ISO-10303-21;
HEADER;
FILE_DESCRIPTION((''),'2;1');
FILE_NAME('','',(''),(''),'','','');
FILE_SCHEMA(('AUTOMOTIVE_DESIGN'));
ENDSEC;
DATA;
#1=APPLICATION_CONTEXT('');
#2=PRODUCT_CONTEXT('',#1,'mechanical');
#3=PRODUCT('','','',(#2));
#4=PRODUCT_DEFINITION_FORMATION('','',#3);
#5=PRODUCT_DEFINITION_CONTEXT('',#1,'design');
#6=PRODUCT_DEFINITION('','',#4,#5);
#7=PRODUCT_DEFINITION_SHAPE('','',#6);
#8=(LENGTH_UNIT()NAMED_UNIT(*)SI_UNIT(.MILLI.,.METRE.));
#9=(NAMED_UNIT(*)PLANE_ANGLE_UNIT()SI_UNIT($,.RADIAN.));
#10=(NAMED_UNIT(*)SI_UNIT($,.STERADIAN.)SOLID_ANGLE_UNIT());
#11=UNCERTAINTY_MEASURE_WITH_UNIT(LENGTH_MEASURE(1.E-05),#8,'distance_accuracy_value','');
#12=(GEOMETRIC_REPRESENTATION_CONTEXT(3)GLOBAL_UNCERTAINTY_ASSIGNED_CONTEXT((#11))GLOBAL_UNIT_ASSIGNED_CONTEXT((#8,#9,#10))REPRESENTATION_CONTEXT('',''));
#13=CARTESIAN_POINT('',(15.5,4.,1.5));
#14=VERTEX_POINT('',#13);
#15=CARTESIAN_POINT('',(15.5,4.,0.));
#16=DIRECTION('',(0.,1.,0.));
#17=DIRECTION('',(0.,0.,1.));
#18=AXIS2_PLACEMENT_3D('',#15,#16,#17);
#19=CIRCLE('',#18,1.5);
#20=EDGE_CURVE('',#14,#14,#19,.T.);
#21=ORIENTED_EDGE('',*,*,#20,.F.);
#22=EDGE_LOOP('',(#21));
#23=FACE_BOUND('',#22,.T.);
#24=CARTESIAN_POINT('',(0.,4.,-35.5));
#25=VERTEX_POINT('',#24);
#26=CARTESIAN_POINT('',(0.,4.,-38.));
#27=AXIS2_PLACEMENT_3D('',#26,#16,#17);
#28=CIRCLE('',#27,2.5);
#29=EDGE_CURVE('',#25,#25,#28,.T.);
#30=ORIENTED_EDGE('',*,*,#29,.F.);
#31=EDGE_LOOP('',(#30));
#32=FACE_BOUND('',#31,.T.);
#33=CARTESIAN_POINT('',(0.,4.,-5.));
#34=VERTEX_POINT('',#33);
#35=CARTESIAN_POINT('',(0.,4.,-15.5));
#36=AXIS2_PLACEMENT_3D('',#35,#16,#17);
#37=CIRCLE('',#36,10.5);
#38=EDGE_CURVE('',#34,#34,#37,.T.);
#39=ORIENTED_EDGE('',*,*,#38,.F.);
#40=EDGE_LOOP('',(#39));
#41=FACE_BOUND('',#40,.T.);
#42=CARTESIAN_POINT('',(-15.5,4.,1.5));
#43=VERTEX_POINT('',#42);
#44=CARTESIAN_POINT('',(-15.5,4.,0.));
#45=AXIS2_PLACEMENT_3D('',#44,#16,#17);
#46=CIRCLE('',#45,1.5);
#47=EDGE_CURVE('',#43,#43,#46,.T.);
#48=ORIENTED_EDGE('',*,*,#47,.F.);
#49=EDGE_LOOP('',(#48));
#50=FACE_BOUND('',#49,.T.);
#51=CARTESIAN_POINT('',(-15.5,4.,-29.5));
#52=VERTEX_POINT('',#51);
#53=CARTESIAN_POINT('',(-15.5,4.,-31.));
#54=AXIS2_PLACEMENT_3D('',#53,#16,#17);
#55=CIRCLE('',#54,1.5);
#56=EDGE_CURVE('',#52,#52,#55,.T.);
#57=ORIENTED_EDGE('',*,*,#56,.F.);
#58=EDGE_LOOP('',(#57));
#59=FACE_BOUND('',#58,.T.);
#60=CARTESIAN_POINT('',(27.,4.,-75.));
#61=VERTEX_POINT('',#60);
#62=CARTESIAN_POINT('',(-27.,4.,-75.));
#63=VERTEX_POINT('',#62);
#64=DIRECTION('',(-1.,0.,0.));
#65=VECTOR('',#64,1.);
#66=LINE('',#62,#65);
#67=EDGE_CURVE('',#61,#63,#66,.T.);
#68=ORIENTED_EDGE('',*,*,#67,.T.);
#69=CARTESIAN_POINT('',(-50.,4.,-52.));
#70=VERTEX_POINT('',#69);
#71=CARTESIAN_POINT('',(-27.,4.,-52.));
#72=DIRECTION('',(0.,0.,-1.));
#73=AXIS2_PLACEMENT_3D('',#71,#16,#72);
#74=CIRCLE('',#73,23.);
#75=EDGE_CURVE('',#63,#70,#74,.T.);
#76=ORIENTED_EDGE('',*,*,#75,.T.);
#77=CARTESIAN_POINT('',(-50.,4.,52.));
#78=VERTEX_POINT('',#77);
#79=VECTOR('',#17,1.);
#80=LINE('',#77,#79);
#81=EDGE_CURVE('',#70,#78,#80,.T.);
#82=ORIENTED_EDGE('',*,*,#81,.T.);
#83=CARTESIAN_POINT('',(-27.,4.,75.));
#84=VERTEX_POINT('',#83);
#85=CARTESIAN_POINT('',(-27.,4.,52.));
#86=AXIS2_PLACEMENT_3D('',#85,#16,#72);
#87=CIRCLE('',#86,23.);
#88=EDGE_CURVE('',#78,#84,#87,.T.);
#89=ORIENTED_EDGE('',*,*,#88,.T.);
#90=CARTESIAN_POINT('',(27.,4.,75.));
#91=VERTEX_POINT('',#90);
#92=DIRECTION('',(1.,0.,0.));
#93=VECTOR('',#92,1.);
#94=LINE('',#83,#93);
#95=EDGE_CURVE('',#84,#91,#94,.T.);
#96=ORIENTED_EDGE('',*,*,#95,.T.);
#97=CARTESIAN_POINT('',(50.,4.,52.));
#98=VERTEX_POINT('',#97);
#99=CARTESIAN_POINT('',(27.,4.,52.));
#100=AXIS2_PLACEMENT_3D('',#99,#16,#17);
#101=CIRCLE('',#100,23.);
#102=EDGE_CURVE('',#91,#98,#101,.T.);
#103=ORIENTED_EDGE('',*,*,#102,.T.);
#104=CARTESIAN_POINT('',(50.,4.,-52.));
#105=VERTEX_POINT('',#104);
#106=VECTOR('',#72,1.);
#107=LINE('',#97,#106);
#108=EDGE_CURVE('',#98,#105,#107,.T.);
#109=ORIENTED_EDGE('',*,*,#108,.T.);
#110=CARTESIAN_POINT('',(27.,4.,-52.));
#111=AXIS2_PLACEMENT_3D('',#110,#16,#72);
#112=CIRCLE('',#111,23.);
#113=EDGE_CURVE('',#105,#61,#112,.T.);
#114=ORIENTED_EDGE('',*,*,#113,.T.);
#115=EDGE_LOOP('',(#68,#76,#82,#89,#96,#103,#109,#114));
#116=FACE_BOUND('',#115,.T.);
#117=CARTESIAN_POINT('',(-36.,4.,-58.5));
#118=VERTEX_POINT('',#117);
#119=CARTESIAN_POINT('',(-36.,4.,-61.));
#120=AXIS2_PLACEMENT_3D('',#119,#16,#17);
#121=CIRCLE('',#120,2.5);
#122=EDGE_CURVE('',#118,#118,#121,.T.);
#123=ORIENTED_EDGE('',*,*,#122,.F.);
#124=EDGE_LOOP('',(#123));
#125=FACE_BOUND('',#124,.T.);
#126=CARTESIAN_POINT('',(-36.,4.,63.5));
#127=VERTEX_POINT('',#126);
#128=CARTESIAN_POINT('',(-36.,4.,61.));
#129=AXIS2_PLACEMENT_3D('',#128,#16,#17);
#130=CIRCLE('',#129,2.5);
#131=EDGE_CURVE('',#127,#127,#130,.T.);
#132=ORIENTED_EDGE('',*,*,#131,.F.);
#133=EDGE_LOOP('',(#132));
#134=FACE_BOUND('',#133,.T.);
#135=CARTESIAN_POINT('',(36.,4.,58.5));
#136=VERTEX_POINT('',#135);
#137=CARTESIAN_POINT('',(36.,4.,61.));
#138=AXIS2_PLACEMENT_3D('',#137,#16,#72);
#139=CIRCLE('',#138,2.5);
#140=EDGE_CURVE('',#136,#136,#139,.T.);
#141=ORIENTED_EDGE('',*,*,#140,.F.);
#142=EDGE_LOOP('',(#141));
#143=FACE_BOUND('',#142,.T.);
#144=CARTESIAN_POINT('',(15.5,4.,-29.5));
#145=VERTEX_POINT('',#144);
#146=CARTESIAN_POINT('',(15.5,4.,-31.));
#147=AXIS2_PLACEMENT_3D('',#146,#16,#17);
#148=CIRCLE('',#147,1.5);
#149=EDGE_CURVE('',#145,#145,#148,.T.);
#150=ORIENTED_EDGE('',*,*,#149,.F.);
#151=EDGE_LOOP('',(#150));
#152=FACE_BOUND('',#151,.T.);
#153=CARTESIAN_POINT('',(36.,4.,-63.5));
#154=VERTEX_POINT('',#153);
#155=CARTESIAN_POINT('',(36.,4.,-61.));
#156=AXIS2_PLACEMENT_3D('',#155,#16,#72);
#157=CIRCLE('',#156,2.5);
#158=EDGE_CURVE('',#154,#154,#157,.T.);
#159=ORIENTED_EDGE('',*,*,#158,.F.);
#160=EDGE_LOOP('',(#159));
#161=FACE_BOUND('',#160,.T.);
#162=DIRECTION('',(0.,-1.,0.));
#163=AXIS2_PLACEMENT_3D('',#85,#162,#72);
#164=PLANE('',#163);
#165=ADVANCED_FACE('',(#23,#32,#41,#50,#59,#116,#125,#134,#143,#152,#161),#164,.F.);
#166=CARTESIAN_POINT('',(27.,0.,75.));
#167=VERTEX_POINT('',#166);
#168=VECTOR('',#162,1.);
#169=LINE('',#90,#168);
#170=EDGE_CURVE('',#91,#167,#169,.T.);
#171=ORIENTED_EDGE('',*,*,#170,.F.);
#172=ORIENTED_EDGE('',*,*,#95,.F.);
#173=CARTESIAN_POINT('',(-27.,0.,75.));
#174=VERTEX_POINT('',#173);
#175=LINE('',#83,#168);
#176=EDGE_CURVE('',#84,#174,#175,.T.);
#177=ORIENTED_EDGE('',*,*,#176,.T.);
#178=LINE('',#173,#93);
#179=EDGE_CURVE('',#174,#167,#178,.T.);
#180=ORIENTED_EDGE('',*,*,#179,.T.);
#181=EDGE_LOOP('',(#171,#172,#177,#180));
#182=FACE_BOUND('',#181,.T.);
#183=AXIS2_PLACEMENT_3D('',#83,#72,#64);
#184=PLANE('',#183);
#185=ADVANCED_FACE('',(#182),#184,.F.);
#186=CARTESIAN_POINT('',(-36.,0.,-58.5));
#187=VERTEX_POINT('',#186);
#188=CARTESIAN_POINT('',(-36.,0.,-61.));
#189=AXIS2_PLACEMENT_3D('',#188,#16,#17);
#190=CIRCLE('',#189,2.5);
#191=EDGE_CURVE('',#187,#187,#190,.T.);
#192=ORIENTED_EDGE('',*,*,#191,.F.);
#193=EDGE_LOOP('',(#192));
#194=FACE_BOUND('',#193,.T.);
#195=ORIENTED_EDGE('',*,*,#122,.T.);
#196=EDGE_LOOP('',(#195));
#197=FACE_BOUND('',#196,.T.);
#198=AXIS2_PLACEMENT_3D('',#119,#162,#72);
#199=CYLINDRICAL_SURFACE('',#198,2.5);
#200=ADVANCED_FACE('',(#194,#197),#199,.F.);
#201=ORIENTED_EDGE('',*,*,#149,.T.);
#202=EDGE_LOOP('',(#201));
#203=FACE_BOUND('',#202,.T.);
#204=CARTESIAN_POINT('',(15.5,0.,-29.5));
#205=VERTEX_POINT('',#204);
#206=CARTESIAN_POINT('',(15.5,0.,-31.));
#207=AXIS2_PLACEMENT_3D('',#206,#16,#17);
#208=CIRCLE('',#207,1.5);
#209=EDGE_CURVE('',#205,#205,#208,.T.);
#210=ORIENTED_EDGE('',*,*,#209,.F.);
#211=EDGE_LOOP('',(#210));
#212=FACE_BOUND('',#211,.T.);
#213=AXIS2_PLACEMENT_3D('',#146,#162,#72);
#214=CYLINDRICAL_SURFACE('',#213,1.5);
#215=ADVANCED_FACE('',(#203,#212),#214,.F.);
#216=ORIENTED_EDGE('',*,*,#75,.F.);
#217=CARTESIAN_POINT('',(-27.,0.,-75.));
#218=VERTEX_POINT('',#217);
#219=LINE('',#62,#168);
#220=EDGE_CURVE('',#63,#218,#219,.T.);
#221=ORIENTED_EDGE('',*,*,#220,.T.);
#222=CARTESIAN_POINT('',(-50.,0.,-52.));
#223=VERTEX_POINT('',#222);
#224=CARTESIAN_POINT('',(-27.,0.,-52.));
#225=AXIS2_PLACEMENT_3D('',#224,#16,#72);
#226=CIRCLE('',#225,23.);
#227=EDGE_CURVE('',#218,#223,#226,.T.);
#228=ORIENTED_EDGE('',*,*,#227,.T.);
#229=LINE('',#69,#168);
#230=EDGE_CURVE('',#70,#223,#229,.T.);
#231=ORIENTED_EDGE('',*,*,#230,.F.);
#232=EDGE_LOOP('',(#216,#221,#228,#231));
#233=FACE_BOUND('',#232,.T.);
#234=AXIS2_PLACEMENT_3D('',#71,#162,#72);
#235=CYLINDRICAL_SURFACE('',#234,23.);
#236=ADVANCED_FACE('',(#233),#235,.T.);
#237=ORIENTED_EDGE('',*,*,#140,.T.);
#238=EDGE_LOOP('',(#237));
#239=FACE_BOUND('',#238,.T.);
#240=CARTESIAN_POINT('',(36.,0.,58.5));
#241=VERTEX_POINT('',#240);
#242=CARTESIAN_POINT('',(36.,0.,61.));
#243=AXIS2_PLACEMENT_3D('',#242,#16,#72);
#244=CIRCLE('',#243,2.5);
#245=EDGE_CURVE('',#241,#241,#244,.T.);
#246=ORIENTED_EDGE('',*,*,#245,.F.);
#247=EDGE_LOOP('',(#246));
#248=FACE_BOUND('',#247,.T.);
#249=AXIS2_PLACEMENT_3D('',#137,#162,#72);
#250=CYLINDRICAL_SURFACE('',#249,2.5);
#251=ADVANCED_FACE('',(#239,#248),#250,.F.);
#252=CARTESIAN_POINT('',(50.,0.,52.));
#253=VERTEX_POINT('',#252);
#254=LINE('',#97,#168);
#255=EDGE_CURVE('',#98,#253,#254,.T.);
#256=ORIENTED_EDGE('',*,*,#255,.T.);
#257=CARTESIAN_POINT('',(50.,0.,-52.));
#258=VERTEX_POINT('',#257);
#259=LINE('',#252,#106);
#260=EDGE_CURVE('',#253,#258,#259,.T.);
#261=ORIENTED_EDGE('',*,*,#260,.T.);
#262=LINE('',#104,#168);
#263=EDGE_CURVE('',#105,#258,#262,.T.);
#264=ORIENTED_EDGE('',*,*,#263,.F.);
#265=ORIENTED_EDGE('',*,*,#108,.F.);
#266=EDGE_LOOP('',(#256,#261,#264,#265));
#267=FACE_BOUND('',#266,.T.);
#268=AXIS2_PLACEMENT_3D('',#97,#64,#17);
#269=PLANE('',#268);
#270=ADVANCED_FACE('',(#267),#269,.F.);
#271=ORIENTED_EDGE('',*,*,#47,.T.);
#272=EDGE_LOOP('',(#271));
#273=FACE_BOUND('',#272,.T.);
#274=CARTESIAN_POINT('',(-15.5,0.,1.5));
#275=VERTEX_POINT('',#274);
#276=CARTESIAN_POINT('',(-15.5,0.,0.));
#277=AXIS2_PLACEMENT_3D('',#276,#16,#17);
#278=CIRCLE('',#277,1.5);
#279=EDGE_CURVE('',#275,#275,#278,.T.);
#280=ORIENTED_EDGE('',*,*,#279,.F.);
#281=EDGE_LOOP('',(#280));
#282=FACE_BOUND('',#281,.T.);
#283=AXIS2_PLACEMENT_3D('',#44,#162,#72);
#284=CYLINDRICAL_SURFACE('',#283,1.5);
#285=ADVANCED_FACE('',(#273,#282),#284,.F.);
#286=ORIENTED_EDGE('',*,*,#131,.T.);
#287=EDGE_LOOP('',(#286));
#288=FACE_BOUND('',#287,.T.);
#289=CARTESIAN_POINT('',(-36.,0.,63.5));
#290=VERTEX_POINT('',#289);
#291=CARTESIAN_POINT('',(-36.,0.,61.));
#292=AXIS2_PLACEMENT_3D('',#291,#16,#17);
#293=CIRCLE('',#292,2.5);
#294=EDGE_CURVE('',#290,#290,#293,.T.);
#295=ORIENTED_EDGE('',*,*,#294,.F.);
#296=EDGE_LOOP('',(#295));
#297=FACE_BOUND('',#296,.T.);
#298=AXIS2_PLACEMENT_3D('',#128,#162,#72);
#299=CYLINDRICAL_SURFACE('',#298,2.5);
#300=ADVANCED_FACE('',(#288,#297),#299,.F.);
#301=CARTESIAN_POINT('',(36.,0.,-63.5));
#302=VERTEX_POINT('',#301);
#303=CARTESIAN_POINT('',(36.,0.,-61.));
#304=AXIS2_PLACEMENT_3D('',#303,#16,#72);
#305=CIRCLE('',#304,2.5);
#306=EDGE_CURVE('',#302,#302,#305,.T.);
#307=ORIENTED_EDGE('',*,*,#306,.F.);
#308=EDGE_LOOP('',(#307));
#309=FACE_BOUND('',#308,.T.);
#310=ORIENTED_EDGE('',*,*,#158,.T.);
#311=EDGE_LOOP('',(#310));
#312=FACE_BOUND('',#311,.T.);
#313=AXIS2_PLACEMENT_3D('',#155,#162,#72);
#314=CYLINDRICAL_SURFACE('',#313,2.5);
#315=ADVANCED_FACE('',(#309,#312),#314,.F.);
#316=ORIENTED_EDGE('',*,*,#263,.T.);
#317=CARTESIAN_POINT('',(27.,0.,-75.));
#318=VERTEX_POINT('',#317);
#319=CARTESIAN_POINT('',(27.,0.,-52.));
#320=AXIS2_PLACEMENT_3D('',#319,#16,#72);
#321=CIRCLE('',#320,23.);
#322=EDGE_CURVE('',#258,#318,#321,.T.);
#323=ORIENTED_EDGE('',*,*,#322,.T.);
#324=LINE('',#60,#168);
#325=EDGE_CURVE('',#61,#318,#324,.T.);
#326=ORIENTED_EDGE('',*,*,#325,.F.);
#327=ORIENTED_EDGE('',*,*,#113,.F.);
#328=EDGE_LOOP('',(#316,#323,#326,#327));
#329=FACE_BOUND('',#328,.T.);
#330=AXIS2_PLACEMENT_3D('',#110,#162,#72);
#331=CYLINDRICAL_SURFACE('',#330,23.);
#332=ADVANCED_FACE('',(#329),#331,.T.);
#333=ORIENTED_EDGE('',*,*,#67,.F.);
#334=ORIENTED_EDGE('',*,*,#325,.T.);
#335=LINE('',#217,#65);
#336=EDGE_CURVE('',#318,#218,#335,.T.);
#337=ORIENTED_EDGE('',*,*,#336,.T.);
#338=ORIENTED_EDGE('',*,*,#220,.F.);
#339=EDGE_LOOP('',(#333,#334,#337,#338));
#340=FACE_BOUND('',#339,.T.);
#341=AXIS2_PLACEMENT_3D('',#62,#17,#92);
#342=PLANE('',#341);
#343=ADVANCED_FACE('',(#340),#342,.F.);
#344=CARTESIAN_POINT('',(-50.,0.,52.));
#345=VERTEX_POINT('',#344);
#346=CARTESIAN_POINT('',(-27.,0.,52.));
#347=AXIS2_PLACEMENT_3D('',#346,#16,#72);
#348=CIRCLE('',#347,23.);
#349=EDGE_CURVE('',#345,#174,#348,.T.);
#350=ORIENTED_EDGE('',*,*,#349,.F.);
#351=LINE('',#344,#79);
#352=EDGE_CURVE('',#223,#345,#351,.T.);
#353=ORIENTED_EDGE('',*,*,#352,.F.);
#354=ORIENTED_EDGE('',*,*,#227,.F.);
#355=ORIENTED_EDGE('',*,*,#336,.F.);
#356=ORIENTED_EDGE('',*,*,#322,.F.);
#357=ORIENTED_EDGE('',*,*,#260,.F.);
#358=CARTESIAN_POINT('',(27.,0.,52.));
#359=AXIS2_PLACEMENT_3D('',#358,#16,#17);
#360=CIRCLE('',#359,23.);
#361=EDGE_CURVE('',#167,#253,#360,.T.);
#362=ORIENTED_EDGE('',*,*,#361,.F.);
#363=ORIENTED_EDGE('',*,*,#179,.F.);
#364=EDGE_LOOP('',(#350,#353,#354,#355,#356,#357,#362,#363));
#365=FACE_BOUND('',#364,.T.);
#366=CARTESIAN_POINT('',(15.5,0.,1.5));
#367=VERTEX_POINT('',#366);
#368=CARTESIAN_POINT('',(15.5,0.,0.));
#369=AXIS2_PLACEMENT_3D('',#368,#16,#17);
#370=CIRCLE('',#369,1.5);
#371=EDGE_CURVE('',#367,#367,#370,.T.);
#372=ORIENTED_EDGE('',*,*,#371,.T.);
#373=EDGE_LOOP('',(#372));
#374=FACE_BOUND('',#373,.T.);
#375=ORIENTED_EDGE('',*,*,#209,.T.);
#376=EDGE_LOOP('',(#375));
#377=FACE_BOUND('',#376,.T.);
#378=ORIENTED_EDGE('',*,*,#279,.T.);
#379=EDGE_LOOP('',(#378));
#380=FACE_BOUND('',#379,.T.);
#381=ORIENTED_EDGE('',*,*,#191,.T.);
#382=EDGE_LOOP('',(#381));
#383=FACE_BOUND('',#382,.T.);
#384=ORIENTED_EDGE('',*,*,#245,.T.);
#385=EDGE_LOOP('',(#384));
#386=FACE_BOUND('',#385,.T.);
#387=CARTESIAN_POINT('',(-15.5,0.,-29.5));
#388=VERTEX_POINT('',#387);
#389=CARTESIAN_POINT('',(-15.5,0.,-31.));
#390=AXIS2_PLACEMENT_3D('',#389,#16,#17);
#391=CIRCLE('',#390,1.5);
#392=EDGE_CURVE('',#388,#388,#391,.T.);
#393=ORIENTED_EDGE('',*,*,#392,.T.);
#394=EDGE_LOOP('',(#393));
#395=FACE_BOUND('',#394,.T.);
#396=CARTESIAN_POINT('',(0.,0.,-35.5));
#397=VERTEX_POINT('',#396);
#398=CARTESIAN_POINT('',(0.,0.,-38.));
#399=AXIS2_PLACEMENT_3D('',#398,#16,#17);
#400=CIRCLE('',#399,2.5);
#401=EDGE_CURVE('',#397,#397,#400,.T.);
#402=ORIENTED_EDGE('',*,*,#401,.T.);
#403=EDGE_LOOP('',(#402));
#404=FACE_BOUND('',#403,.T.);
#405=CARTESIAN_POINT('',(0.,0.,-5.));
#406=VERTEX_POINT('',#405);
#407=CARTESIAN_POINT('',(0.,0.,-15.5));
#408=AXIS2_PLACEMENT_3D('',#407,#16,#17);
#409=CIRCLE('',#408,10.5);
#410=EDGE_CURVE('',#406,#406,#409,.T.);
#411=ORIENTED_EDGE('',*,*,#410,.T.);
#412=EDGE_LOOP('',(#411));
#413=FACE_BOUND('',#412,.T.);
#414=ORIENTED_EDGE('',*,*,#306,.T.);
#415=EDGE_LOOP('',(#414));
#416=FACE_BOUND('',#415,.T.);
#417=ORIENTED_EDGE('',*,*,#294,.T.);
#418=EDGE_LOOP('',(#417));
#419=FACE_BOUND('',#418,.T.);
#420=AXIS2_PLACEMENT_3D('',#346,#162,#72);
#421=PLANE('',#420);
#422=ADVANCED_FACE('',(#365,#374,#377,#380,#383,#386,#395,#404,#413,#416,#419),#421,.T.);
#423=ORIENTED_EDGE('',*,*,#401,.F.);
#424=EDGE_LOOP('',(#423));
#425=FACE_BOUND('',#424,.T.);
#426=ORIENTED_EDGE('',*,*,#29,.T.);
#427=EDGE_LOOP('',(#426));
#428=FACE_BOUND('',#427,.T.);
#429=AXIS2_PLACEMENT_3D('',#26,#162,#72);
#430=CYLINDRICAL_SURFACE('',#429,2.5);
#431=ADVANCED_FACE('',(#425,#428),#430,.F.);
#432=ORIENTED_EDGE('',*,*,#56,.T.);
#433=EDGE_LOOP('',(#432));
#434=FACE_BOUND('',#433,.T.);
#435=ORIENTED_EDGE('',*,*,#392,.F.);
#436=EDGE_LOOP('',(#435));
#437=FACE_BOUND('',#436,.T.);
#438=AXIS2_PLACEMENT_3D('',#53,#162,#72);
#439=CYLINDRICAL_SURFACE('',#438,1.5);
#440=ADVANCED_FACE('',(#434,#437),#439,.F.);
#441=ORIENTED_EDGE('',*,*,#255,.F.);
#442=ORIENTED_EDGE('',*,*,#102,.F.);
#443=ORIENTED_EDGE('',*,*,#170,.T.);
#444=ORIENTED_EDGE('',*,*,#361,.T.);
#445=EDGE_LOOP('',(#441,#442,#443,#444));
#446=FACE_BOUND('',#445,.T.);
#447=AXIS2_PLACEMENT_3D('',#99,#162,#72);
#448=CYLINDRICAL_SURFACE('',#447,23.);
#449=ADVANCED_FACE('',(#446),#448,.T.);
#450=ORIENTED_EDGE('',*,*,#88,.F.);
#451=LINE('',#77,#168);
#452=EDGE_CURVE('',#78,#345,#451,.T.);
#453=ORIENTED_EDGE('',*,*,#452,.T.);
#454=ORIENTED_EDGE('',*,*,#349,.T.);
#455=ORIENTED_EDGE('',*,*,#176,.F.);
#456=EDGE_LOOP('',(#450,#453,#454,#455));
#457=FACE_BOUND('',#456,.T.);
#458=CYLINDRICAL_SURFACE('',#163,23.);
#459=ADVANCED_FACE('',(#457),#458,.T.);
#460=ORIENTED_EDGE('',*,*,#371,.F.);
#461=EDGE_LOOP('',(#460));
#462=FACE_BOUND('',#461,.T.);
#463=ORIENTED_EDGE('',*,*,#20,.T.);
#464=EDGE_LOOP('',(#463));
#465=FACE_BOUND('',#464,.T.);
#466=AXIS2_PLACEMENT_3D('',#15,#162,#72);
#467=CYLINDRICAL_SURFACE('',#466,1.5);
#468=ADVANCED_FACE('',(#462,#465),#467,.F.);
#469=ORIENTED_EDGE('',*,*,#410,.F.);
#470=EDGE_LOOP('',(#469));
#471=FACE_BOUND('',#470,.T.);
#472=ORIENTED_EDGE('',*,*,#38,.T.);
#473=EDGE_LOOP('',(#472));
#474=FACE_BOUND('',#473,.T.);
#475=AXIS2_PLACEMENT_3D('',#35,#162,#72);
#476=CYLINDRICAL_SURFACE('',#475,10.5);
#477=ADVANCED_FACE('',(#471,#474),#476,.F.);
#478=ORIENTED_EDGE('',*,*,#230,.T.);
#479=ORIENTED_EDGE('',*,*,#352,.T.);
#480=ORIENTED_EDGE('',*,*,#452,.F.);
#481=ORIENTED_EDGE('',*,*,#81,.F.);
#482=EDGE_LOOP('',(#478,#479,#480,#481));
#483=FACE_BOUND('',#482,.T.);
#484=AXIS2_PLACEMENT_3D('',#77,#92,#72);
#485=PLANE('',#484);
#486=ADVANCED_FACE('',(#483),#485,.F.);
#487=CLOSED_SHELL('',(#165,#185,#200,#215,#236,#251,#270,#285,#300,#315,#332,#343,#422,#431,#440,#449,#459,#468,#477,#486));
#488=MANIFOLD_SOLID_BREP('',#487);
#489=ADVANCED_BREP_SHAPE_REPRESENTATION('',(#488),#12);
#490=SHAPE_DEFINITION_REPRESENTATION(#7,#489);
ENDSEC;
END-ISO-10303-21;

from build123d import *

# Parameters (mm, degrees)
SKETCH1_R           = 2.5
SKETCH1_R_2         = 10.5
SKETCH1_R_3         = 1.5
BOSS_EXTRUDE1_DEPTH = 4


with BuildPart() as part:
    # Sketch1 → Boss-Extrude1 (new body)
    with BuildSketch(Plane(origin=(0, 0, 0), x_dir=(1, 0, 0), z_dir=(0, 1, 0))):
        with BuildLine():
            Line((-27, -75), (27, -75))
            ThreePointArc((27, -75), (43.263455967, -68.263455967), (50, -52))
            Line((50, -52), (50, 52))
            ThreePointArc((50, 52), (43.263455967, 68.263455967), (27, 75))
            Line((27, 75), (-27, 75))
            ThreePointArc((-27, 75), (-43.263455967, 68.263455967), (-50, 52))
            Line((-50, 52), (-50, -52))
            ThreePointArc((-50, -52), (-43.263455967, -68.263455967), (-27, -75))
        make_face()
        with Locations((-36, 61)):
            Circle(SKETCH1_R, mode=Mode.SUBTRACT)
        with Locations((-36, -61)):
            Circle(SKETCH1_R, mode=Mode.SUBTRACT)
        with Locations((36, -61)):
            Circle(SKETCH1_R, mode=Mode.SUBTRACT)
        with Locations((36, 61)):
            Circle(SKETCH1_R, mode=Mode.SUBTRACT)
        with Locations((0, 38)):
            Circle(SKETCH1_R, mode=Mode.SUBTRACT)
        with Locations((0, 15.5)):
            Circle(SKETCH1_R_2, mode=Mode.SUBTRACT)
        with Locations((15.5, 31)):
            Circle(SKETCH1_R_3, mode=Mode.SUBTRACT)
        with Locations((-15.5, 31)):
            Circle(SKETCH1_R_3, mode=Mode.SUBTRACT)
        with Locations((-15.5, 0)):
            Circle(SKETCH1_R_3, mode=Mode.SUBTRACT)
        with Locations((15.5, 0)):
            Circle(SKETCH1_R_3, mode=Mode.SUBTRACT)
    extrude(amount=BOSS_EXTRUDE1_DEPTH)


solid = part.part
